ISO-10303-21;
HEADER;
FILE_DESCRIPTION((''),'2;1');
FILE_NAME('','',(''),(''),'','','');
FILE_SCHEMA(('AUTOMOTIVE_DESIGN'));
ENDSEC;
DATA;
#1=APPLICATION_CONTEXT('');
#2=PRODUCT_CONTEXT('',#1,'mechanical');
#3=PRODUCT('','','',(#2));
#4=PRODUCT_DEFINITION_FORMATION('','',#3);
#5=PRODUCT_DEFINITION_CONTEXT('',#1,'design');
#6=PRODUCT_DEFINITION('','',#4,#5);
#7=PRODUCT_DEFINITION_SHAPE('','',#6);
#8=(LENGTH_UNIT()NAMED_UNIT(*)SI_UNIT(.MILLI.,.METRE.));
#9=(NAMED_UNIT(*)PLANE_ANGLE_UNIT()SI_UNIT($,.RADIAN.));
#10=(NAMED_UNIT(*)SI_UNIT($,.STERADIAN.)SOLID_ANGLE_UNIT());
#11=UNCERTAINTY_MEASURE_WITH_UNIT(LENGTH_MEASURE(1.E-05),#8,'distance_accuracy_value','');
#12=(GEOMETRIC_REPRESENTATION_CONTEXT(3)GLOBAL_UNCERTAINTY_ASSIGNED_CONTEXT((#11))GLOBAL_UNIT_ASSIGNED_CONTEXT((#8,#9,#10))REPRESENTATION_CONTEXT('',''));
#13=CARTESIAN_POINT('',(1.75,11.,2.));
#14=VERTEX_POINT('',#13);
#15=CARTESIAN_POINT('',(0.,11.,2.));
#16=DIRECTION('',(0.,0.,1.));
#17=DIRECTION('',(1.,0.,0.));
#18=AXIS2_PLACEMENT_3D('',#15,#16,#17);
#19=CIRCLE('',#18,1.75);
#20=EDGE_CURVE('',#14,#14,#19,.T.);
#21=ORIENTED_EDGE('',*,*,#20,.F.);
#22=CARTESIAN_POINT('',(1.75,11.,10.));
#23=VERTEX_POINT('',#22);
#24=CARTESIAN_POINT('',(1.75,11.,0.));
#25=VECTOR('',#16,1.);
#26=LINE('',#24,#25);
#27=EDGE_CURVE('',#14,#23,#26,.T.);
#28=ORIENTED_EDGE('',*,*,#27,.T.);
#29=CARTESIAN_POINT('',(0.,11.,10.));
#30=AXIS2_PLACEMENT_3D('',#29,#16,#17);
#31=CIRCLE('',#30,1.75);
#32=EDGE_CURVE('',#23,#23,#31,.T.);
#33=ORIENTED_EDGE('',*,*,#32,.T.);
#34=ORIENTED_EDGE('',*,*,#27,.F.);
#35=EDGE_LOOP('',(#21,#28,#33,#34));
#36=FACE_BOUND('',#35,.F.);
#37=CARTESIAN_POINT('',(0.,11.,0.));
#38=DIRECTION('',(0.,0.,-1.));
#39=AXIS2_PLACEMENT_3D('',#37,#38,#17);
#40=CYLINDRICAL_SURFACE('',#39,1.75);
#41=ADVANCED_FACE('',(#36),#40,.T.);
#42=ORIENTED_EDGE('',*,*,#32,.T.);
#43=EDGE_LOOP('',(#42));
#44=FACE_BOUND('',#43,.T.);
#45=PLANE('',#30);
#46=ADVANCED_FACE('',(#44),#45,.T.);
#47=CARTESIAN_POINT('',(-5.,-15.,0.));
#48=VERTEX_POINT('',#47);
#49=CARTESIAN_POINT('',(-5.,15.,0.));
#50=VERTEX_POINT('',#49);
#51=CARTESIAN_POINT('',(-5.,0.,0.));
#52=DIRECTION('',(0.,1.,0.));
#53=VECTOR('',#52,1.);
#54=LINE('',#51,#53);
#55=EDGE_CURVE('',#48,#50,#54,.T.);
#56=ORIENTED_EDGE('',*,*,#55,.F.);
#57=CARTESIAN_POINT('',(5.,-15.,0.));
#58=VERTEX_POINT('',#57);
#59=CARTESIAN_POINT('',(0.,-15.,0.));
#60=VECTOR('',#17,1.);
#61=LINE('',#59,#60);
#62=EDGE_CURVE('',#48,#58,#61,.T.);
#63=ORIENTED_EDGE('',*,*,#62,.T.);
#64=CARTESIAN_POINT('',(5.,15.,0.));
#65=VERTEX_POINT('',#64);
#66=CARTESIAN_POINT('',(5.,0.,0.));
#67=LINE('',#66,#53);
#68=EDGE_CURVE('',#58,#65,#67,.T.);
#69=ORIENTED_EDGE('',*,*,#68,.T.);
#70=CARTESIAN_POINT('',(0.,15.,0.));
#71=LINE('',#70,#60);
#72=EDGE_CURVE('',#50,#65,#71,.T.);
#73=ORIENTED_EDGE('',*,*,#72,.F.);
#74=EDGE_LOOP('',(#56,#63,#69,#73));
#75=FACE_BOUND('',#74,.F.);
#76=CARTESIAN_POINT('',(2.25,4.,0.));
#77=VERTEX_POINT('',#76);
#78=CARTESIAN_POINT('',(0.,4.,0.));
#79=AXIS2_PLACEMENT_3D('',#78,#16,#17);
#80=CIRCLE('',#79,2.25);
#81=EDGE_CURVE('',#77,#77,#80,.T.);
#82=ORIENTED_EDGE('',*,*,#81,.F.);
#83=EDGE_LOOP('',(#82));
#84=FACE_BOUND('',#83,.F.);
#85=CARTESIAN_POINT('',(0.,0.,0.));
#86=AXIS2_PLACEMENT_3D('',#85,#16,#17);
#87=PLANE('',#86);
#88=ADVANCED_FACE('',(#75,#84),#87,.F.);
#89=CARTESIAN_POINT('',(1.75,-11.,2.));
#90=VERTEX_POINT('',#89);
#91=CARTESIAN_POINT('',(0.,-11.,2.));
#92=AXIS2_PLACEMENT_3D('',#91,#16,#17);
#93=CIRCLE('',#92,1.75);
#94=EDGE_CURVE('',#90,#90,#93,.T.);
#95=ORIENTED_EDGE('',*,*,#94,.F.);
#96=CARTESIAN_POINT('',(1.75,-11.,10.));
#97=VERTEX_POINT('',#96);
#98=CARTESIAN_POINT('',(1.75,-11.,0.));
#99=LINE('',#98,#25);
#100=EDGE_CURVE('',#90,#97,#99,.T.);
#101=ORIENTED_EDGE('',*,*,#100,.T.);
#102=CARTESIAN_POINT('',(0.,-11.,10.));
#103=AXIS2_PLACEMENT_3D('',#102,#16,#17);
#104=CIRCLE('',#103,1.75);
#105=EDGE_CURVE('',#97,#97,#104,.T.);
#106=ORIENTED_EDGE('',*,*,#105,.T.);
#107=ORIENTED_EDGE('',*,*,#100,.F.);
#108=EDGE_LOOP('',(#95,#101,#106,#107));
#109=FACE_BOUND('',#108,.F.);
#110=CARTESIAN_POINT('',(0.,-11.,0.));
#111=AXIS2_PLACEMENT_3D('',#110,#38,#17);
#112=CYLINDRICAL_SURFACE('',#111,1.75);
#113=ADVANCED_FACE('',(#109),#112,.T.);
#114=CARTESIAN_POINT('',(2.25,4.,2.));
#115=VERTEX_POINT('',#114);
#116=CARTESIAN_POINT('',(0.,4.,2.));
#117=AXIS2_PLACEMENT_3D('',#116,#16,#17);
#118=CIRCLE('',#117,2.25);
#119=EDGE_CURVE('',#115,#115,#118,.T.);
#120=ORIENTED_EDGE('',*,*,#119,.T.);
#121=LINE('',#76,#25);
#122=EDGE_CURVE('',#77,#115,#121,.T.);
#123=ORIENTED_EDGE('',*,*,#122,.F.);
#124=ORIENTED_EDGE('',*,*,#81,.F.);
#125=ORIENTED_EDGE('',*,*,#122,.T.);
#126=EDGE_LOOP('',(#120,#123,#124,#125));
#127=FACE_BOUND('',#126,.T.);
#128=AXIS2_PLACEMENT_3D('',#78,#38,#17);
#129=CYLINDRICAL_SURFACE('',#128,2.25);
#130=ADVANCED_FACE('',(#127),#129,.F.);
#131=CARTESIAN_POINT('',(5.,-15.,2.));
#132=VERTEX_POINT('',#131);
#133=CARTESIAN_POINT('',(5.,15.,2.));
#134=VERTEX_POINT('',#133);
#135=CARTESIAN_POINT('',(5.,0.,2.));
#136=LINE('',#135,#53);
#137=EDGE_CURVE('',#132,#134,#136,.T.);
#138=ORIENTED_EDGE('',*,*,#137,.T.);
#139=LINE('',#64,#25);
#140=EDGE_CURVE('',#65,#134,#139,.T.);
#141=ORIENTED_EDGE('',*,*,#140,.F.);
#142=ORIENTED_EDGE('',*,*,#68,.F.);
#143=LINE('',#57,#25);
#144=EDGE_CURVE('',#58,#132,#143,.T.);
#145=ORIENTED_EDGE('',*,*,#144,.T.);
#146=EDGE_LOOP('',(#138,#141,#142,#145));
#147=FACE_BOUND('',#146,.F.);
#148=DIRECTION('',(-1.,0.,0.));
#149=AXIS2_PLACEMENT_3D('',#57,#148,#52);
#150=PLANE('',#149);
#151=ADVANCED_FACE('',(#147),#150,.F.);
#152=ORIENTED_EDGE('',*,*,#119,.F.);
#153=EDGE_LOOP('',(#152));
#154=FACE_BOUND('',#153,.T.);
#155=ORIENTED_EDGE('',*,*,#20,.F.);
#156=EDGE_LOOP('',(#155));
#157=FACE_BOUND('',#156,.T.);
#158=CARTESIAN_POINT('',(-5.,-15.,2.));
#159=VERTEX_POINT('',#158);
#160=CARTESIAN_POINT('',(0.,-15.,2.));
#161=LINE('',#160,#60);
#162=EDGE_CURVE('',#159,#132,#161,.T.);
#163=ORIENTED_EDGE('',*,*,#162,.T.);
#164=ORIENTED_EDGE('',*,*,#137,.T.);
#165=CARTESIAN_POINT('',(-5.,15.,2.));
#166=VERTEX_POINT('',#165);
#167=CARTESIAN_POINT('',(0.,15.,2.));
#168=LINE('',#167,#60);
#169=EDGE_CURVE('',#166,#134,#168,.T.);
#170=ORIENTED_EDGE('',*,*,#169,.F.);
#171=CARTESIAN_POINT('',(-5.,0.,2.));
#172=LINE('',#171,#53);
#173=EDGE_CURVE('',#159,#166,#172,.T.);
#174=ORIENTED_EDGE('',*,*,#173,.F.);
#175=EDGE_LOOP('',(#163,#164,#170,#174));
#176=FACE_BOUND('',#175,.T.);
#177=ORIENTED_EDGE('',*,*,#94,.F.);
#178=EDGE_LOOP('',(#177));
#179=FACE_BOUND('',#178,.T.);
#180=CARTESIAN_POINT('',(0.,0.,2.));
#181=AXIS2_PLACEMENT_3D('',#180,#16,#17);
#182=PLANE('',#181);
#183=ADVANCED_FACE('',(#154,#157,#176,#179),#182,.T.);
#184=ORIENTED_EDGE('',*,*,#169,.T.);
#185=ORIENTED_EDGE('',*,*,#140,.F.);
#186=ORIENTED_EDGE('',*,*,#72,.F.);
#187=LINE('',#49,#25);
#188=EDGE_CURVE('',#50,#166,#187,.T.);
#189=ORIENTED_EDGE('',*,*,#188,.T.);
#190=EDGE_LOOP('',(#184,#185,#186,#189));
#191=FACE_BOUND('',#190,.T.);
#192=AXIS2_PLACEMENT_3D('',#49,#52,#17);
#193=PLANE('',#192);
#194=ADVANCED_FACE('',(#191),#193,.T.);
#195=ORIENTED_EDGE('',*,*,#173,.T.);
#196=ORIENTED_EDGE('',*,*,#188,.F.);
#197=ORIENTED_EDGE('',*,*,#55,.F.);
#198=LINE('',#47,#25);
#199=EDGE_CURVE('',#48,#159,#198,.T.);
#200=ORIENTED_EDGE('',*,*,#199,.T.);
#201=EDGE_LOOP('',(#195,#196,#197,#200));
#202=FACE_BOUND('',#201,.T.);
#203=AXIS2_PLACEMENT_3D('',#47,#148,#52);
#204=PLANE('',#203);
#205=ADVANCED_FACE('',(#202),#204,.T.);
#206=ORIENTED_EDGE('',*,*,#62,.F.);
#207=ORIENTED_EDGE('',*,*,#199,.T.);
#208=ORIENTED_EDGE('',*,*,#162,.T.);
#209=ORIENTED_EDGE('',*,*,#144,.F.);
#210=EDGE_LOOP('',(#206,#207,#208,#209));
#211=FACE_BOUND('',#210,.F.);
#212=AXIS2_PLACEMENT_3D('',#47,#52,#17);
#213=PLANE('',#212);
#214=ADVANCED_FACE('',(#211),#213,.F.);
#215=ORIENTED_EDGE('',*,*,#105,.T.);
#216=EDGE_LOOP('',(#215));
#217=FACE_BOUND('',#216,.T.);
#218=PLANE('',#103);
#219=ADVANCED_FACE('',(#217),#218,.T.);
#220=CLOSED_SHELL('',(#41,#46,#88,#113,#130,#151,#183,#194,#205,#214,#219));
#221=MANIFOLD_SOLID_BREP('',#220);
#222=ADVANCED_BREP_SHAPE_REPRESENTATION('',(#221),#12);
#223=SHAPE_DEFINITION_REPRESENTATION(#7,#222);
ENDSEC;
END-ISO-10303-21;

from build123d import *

# Parameters (mm, degrees)
F0_R     = 1.75
F1_DEPTH = 10
F0_W     = 10
F0_H     = 30
F0_R_2   = 2.25
F2_DEPTH = 2


with BuildPart() as f1:
    # F0 (on Top) → F1 (new body)
    with BuildSketch(Plane.XY):
        with Locations((0, 11)):
            Circle(F0_R)
        with Locations((0, -11)):
            Circle(F0_R)
    extrude(amount=F1_DEPTH)

    # F0 (on Top) → F2 (join)
    with BuildSketch(Plane.XY):
        Rectangle(F0_W, F0_H)
        with Locations((0, -11)):
            Circle(F0_R, mode=Mode.SUBTRACT)
        with Locations((0, 4)):
            Circle(F0_R_2, mode=Mode.SUBTRACT)
        with Locations((0, 11)):
            Circle(F0_R, mode=Mode.SUBTRACT)
    extrude(amount=F2_DEPTH)


solid = f1.part
